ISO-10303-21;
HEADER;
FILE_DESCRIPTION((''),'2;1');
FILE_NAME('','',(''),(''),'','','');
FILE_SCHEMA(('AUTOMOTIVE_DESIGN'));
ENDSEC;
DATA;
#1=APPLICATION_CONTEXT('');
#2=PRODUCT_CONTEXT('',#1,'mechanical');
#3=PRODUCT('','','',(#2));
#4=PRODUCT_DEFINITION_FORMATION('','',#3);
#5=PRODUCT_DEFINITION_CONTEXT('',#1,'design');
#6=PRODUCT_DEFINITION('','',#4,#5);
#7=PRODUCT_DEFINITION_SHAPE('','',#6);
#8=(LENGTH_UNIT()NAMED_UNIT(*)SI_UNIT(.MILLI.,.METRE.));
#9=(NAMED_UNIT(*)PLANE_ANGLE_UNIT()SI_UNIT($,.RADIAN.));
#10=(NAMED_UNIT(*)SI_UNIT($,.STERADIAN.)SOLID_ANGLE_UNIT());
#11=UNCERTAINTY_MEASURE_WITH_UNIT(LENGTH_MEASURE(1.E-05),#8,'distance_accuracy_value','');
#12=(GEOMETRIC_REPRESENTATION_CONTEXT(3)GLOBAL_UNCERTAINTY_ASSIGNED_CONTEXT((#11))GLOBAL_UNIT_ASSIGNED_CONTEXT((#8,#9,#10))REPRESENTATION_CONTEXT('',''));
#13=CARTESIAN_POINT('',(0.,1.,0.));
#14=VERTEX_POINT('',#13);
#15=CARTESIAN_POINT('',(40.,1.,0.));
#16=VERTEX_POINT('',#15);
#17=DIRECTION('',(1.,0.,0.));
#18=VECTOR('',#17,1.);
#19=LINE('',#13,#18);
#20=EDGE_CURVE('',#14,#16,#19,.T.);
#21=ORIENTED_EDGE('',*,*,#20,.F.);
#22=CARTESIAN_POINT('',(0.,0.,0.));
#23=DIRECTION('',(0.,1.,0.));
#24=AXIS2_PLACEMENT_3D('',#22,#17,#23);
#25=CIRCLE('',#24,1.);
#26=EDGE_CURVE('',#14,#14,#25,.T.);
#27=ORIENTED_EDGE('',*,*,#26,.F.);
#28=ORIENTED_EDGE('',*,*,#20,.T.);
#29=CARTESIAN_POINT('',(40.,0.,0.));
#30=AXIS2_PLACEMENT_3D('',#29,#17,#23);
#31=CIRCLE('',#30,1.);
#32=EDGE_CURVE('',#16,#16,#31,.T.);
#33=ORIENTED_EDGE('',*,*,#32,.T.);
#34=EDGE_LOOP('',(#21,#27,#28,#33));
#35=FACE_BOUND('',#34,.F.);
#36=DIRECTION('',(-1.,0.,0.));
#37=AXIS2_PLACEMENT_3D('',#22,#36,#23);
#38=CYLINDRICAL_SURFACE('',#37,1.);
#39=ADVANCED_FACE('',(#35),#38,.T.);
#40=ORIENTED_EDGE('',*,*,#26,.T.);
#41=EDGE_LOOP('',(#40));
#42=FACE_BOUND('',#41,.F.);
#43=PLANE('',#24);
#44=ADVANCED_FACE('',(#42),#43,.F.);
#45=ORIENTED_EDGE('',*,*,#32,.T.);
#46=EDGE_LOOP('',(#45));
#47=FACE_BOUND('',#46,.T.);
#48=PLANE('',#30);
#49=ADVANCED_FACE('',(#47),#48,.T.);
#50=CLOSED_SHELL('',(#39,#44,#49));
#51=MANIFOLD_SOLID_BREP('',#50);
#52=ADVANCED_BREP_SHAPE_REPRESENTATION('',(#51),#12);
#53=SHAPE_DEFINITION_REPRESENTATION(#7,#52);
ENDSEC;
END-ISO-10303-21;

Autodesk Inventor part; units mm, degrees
ref_plane "YZ Plane" through (0, 0, 0) normal (1, 0, 0) x (0, 1, 0)
ref_plane "XZ Plane" through (0, 0, 0) normal (0, 1, 0) x (-1, 0, 0)
ref_plane "XY Plane" through (0, 0, 0) normal (0, 0, 1) x (1, 0, 0)
sketch "Szkic1" plane through (0, 0, 0) normal (1, 0, 0) x (0, 1, 0)
  circle A0 centre (0, 0) radius 1
  dimension "d0" = 2
extrude "Wyciągnięcie proste1" add sketch "Szkic1" along normal blind 40
properties part number "sworzeń"
